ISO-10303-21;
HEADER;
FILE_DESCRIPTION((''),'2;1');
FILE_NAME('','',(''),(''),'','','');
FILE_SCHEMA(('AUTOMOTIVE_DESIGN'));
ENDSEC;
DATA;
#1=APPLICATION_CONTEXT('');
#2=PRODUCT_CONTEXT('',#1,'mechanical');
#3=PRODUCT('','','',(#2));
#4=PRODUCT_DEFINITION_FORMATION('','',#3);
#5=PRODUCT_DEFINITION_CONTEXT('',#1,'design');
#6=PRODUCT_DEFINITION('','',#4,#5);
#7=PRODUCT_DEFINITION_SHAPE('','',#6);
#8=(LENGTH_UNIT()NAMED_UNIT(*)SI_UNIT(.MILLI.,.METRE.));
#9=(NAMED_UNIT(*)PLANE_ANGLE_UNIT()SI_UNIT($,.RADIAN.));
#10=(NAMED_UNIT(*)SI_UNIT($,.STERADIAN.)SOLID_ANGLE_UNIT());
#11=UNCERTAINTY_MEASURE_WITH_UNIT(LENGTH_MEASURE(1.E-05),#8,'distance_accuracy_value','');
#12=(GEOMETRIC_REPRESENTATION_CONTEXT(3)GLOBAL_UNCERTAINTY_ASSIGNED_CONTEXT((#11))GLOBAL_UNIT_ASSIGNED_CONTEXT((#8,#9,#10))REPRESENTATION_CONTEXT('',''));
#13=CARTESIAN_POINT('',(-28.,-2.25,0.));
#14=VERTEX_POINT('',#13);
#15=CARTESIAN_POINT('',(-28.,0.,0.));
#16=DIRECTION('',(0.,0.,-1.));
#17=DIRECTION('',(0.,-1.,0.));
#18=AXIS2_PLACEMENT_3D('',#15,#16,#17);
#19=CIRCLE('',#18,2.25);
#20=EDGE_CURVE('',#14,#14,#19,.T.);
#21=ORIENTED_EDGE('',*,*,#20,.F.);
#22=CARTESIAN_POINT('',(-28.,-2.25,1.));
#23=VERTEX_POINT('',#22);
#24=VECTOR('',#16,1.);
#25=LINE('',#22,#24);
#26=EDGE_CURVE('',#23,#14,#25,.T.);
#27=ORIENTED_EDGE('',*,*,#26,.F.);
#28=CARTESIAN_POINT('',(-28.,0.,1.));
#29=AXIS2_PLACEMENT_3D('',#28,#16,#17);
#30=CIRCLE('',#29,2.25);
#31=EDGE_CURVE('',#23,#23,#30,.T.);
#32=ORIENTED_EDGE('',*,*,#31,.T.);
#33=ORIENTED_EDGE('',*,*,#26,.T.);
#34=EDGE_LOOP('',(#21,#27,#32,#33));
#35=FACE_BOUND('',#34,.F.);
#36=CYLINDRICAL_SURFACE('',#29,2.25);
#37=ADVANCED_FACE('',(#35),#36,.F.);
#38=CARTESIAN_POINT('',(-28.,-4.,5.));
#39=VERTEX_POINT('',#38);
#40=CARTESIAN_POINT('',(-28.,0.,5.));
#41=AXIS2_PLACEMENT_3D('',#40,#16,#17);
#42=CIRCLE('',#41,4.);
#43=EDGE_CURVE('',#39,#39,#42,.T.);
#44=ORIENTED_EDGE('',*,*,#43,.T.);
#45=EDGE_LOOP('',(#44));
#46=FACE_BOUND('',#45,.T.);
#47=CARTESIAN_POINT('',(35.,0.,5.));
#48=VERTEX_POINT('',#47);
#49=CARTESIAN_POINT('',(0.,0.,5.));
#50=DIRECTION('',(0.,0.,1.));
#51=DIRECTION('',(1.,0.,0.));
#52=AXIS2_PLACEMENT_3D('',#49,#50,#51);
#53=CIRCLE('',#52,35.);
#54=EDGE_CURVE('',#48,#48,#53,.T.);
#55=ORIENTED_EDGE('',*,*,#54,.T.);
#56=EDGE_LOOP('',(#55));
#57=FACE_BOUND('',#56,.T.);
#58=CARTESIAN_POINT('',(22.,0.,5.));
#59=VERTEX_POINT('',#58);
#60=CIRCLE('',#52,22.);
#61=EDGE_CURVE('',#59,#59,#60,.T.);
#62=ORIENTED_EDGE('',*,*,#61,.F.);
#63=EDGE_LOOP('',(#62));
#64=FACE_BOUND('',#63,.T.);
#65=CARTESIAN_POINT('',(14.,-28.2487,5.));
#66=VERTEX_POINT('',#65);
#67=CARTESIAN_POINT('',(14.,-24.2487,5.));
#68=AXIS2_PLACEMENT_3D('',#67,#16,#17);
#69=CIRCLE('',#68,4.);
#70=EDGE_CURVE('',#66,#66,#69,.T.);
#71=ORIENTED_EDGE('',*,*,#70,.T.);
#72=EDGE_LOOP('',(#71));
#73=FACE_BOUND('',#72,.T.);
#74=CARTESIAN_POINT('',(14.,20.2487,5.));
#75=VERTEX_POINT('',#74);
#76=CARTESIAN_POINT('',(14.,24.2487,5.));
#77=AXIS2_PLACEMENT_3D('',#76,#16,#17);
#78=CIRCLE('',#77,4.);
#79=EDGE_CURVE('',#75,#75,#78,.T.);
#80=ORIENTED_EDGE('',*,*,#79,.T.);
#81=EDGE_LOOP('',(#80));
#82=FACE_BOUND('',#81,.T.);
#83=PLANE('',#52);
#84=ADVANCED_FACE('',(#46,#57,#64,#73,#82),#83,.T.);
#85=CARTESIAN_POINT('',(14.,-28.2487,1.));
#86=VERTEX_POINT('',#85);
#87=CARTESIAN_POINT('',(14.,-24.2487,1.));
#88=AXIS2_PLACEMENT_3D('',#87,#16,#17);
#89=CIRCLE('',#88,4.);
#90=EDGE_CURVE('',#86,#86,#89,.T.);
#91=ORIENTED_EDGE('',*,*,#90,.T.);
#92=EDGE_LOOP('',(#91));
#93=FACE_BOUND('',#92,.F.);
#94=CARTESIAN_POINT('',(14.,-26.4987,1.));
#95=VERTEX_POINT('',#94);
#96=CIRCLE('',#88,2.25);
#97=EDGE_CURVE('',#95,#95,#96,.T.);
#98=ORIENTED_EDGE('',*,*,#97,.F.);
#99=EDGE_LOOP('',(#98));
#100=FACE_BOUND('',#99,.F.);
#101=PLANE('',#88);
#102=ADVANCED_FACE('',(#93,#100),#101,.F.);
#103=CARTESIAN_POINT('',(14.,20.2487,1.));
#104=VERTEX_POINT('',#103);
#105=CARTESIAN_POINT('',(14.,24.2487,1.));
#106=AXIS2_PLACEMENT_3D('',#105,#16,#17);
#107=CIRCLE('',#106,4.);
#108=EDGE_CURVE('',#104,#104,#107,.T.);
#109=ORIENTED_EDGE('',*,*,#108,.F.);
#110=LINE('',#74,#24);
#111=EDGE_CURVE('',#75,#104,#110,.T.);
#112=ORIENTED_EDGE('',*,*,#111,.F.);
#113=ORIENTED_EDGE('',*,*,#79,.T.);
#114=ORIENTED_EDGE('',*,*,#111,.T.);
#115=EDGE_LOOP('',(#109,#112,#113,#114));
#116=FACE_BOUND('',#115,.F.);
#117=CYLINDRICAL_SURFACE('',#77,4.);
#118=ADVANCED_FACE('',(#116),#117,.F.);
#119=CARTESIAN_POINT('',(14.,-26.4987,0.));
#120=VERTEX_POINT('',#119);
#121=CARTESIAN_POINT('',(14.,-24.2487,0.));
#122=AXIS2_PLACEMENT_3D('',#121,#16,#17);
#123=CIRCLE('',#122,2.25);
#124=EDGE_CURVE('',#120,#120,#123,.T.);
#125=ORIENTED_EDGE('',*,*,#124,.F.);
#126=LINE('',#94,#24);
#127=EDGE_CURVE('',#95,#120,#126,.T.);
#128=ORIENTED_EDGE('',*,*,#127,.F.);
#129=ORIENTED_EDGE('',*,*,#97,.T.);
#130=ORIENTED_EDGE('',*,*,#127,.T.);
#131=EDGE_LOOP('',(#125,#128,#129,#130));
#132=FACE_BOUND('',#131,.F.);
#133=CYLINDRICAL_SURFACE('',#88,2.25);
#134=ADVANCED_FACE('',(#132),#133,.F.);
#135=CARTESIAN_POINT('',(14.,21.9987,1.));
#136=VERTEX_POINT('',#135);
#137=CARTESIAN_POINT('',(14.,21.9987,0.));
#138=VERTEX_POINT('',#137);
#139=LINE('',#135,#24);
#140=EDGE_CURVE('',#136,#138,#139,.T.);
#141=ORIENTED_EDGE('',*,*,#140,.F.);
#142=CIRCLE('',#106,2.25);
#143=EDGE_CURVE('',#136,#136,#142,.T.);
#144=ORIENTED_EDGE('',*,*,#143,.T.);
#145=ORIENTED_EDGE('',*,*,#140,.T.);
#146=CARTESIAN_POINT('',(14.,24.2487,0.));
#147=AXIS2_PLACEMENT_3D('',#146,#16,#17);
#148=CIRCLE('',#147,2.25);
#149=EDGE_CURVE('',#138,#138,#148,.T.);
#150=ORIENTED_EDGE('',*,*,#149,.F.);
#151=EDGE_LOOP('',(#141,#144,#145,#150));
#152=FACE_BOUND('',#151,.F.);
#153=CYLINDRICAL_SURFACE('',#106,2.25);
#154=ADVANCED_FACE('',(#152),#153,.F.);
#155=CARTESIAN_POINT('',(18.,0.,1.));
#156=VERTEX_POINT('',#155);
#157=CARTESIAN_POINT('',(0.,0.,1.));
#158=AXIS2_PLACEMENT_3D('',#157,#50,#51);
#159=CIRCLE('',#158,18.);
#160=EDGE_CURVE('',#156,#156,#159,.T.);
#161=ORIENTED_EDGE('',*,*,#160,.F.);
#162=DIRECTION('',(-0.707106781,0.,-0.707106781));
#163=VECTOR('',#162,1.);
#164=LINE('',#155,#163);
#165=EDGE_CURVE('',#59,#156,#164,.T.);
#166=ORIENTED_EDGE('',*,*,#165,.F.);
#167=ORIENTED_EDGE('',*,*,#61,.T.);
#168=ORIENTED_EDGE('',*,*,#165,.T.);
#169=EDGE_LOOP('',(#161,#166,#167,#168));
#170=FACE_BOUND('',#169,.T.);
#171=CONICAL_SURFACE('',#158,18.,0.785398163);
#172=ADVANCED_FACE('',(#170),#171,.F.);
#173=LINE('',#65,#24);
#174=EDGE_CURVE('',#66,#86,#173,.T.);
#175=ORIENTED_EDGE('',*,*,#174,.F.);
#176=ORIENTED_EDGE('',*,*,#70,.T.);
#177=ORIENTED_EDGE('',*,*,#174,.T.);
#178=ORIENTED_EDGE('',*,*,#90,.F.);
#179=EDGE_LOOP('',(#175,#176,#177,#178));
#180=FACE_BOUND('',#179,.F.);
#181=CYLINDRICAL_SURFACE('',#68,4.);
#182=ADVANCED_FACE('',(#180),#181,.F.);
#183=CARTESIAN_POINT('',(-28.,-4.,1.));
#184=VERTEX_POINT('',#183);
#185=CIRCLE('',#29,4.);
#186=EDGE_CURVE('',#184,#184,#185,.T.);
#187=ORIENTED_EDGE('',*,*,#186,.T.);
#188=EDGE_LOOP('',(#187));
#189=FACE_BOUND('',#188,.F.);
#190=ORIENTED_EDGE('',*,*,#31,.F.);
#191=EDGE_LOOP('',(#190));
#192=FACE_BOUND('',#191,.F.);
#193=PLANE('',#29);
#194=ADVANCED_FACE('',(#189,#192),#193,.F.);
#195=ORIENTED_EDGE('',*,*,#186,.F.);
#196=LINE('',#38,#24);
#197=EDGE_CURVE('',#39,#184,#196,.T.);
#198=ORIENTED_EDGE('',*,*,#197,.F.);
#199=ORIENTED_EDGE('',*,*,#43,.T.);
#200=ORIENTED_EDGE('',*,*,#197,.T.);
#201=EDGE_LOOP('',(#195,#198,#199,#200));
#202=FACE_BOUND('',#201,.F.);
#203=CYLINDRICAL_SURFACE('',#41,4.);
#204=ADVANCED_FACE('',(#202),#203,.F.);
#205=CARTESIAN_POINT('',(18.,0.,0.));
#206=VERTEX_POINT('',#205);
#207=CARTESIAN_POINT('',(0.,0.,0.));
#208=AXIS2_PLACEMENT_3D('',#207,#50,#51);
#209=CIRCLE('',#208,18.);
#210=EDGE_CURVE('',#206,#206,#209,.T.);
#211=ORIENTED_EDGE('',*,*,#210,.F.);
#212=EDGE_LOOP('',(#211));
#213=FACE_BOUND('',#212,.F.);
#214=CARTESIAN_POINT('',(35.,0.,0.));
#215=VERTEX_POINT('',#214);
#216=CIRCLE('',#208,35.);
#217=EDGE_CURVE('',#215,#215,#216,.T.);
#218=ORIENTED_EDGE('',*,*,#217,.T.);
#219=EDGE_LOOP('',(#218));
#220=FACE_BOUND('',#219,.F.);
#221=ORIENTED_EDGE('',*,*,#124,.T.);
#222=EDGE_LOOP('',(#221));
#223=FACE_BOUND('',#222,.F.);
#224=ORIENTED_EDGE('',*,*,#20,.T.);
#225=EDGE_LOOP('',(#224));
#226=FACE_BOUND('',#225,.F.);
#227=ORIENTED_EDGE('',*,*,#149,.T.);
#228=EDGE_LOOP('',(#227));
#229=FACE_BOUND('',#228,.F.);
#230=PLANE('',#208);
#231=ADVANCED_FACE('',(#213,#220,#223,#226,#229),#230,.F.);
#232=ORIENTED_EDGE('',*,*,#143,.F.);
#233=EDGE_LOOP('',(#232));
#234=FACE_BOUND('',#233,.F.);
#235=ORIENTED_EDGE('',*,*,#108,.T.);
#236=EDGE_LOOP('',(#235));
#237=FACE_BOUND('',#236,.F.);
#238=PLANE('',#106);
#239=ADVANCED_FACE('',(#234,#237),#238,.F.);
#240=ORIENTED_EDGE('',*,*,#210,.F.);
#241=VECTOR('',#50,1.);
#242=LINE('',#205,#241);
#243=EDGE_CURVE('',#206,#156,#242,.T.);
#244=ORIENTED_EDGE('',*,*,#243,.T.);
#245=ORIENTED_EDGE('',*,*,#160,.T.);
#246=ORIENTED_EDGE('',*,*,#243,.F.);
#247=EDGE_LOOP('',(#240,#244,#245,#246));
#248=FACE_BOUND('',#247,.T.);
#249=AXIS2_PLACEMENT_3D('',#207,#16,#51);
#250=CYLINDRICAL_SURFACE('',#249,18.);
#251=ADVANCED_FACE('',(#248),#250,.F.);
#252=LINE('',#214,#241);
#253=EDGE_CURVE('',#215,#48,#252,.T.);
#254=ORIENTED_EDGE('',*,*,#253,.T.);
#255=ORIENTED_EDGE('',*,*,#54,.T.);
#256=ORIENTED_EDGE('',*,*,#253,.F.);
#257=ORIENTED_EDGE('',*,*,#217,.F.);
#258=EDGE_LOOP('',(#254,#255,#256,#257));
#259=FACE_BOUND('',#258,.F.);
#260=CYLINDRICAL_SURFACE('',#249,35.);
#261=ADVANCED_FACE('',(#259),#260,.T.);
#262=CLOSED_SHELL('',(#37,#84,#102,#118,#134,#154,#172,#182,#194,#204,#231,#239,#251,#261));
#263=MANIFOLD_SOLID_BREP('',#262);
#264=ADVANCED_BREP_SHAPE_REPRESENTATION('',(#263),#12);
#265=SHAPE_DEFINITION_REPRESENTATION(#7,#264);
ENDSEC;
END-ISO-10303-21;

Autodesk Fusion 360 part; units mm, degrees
sketch "Sketch1" plane through (0, 0, 0) normal (0, 0, 1) x (1, 0, 0)
  circle A0 centre (0, 0) radius 18
  circle A1 centre (0, 0) radius 35
  dimension "d1" = 36
  dimension "d2" = 70
extrude "Extrude1" add sketch "Sketch1" along normal blind 5
sketch "Sketch2" plane through (0, 0, 5) normal (0, 0, 1) x (-1, 0, 0)
  circle A0 centre (0, 0) radius 18
  circle A1 centre (0, 0) radius 35
  line L0 (0, 0) -> (28, 0) construction
  line L1 (0, 0) -> (-14, -24.2487) construction
  line L2 (0, 0) -> (-14, 24.2487) construction
  dimension "d5" = 28
  dimension "d8" = 28
  dimension "d13" = 120
  dimension "d14" = 28
  dimension "d15" = 120
hole "Hole1" at (-28, 0, 5) at (14, -24.2487, 5) at (14, 24.2487, 5) direction (0, 0, -1) diameter 4.5 end through all counterbore diameter 8 counterbore depth 4
chamfer "Chamfer1" distance 4 angle 45 1 edges at (-16.7819, 6.5091, 5)
equation "d8 = d5"
equation "d14 = d5"
equation "d15 = d13"
